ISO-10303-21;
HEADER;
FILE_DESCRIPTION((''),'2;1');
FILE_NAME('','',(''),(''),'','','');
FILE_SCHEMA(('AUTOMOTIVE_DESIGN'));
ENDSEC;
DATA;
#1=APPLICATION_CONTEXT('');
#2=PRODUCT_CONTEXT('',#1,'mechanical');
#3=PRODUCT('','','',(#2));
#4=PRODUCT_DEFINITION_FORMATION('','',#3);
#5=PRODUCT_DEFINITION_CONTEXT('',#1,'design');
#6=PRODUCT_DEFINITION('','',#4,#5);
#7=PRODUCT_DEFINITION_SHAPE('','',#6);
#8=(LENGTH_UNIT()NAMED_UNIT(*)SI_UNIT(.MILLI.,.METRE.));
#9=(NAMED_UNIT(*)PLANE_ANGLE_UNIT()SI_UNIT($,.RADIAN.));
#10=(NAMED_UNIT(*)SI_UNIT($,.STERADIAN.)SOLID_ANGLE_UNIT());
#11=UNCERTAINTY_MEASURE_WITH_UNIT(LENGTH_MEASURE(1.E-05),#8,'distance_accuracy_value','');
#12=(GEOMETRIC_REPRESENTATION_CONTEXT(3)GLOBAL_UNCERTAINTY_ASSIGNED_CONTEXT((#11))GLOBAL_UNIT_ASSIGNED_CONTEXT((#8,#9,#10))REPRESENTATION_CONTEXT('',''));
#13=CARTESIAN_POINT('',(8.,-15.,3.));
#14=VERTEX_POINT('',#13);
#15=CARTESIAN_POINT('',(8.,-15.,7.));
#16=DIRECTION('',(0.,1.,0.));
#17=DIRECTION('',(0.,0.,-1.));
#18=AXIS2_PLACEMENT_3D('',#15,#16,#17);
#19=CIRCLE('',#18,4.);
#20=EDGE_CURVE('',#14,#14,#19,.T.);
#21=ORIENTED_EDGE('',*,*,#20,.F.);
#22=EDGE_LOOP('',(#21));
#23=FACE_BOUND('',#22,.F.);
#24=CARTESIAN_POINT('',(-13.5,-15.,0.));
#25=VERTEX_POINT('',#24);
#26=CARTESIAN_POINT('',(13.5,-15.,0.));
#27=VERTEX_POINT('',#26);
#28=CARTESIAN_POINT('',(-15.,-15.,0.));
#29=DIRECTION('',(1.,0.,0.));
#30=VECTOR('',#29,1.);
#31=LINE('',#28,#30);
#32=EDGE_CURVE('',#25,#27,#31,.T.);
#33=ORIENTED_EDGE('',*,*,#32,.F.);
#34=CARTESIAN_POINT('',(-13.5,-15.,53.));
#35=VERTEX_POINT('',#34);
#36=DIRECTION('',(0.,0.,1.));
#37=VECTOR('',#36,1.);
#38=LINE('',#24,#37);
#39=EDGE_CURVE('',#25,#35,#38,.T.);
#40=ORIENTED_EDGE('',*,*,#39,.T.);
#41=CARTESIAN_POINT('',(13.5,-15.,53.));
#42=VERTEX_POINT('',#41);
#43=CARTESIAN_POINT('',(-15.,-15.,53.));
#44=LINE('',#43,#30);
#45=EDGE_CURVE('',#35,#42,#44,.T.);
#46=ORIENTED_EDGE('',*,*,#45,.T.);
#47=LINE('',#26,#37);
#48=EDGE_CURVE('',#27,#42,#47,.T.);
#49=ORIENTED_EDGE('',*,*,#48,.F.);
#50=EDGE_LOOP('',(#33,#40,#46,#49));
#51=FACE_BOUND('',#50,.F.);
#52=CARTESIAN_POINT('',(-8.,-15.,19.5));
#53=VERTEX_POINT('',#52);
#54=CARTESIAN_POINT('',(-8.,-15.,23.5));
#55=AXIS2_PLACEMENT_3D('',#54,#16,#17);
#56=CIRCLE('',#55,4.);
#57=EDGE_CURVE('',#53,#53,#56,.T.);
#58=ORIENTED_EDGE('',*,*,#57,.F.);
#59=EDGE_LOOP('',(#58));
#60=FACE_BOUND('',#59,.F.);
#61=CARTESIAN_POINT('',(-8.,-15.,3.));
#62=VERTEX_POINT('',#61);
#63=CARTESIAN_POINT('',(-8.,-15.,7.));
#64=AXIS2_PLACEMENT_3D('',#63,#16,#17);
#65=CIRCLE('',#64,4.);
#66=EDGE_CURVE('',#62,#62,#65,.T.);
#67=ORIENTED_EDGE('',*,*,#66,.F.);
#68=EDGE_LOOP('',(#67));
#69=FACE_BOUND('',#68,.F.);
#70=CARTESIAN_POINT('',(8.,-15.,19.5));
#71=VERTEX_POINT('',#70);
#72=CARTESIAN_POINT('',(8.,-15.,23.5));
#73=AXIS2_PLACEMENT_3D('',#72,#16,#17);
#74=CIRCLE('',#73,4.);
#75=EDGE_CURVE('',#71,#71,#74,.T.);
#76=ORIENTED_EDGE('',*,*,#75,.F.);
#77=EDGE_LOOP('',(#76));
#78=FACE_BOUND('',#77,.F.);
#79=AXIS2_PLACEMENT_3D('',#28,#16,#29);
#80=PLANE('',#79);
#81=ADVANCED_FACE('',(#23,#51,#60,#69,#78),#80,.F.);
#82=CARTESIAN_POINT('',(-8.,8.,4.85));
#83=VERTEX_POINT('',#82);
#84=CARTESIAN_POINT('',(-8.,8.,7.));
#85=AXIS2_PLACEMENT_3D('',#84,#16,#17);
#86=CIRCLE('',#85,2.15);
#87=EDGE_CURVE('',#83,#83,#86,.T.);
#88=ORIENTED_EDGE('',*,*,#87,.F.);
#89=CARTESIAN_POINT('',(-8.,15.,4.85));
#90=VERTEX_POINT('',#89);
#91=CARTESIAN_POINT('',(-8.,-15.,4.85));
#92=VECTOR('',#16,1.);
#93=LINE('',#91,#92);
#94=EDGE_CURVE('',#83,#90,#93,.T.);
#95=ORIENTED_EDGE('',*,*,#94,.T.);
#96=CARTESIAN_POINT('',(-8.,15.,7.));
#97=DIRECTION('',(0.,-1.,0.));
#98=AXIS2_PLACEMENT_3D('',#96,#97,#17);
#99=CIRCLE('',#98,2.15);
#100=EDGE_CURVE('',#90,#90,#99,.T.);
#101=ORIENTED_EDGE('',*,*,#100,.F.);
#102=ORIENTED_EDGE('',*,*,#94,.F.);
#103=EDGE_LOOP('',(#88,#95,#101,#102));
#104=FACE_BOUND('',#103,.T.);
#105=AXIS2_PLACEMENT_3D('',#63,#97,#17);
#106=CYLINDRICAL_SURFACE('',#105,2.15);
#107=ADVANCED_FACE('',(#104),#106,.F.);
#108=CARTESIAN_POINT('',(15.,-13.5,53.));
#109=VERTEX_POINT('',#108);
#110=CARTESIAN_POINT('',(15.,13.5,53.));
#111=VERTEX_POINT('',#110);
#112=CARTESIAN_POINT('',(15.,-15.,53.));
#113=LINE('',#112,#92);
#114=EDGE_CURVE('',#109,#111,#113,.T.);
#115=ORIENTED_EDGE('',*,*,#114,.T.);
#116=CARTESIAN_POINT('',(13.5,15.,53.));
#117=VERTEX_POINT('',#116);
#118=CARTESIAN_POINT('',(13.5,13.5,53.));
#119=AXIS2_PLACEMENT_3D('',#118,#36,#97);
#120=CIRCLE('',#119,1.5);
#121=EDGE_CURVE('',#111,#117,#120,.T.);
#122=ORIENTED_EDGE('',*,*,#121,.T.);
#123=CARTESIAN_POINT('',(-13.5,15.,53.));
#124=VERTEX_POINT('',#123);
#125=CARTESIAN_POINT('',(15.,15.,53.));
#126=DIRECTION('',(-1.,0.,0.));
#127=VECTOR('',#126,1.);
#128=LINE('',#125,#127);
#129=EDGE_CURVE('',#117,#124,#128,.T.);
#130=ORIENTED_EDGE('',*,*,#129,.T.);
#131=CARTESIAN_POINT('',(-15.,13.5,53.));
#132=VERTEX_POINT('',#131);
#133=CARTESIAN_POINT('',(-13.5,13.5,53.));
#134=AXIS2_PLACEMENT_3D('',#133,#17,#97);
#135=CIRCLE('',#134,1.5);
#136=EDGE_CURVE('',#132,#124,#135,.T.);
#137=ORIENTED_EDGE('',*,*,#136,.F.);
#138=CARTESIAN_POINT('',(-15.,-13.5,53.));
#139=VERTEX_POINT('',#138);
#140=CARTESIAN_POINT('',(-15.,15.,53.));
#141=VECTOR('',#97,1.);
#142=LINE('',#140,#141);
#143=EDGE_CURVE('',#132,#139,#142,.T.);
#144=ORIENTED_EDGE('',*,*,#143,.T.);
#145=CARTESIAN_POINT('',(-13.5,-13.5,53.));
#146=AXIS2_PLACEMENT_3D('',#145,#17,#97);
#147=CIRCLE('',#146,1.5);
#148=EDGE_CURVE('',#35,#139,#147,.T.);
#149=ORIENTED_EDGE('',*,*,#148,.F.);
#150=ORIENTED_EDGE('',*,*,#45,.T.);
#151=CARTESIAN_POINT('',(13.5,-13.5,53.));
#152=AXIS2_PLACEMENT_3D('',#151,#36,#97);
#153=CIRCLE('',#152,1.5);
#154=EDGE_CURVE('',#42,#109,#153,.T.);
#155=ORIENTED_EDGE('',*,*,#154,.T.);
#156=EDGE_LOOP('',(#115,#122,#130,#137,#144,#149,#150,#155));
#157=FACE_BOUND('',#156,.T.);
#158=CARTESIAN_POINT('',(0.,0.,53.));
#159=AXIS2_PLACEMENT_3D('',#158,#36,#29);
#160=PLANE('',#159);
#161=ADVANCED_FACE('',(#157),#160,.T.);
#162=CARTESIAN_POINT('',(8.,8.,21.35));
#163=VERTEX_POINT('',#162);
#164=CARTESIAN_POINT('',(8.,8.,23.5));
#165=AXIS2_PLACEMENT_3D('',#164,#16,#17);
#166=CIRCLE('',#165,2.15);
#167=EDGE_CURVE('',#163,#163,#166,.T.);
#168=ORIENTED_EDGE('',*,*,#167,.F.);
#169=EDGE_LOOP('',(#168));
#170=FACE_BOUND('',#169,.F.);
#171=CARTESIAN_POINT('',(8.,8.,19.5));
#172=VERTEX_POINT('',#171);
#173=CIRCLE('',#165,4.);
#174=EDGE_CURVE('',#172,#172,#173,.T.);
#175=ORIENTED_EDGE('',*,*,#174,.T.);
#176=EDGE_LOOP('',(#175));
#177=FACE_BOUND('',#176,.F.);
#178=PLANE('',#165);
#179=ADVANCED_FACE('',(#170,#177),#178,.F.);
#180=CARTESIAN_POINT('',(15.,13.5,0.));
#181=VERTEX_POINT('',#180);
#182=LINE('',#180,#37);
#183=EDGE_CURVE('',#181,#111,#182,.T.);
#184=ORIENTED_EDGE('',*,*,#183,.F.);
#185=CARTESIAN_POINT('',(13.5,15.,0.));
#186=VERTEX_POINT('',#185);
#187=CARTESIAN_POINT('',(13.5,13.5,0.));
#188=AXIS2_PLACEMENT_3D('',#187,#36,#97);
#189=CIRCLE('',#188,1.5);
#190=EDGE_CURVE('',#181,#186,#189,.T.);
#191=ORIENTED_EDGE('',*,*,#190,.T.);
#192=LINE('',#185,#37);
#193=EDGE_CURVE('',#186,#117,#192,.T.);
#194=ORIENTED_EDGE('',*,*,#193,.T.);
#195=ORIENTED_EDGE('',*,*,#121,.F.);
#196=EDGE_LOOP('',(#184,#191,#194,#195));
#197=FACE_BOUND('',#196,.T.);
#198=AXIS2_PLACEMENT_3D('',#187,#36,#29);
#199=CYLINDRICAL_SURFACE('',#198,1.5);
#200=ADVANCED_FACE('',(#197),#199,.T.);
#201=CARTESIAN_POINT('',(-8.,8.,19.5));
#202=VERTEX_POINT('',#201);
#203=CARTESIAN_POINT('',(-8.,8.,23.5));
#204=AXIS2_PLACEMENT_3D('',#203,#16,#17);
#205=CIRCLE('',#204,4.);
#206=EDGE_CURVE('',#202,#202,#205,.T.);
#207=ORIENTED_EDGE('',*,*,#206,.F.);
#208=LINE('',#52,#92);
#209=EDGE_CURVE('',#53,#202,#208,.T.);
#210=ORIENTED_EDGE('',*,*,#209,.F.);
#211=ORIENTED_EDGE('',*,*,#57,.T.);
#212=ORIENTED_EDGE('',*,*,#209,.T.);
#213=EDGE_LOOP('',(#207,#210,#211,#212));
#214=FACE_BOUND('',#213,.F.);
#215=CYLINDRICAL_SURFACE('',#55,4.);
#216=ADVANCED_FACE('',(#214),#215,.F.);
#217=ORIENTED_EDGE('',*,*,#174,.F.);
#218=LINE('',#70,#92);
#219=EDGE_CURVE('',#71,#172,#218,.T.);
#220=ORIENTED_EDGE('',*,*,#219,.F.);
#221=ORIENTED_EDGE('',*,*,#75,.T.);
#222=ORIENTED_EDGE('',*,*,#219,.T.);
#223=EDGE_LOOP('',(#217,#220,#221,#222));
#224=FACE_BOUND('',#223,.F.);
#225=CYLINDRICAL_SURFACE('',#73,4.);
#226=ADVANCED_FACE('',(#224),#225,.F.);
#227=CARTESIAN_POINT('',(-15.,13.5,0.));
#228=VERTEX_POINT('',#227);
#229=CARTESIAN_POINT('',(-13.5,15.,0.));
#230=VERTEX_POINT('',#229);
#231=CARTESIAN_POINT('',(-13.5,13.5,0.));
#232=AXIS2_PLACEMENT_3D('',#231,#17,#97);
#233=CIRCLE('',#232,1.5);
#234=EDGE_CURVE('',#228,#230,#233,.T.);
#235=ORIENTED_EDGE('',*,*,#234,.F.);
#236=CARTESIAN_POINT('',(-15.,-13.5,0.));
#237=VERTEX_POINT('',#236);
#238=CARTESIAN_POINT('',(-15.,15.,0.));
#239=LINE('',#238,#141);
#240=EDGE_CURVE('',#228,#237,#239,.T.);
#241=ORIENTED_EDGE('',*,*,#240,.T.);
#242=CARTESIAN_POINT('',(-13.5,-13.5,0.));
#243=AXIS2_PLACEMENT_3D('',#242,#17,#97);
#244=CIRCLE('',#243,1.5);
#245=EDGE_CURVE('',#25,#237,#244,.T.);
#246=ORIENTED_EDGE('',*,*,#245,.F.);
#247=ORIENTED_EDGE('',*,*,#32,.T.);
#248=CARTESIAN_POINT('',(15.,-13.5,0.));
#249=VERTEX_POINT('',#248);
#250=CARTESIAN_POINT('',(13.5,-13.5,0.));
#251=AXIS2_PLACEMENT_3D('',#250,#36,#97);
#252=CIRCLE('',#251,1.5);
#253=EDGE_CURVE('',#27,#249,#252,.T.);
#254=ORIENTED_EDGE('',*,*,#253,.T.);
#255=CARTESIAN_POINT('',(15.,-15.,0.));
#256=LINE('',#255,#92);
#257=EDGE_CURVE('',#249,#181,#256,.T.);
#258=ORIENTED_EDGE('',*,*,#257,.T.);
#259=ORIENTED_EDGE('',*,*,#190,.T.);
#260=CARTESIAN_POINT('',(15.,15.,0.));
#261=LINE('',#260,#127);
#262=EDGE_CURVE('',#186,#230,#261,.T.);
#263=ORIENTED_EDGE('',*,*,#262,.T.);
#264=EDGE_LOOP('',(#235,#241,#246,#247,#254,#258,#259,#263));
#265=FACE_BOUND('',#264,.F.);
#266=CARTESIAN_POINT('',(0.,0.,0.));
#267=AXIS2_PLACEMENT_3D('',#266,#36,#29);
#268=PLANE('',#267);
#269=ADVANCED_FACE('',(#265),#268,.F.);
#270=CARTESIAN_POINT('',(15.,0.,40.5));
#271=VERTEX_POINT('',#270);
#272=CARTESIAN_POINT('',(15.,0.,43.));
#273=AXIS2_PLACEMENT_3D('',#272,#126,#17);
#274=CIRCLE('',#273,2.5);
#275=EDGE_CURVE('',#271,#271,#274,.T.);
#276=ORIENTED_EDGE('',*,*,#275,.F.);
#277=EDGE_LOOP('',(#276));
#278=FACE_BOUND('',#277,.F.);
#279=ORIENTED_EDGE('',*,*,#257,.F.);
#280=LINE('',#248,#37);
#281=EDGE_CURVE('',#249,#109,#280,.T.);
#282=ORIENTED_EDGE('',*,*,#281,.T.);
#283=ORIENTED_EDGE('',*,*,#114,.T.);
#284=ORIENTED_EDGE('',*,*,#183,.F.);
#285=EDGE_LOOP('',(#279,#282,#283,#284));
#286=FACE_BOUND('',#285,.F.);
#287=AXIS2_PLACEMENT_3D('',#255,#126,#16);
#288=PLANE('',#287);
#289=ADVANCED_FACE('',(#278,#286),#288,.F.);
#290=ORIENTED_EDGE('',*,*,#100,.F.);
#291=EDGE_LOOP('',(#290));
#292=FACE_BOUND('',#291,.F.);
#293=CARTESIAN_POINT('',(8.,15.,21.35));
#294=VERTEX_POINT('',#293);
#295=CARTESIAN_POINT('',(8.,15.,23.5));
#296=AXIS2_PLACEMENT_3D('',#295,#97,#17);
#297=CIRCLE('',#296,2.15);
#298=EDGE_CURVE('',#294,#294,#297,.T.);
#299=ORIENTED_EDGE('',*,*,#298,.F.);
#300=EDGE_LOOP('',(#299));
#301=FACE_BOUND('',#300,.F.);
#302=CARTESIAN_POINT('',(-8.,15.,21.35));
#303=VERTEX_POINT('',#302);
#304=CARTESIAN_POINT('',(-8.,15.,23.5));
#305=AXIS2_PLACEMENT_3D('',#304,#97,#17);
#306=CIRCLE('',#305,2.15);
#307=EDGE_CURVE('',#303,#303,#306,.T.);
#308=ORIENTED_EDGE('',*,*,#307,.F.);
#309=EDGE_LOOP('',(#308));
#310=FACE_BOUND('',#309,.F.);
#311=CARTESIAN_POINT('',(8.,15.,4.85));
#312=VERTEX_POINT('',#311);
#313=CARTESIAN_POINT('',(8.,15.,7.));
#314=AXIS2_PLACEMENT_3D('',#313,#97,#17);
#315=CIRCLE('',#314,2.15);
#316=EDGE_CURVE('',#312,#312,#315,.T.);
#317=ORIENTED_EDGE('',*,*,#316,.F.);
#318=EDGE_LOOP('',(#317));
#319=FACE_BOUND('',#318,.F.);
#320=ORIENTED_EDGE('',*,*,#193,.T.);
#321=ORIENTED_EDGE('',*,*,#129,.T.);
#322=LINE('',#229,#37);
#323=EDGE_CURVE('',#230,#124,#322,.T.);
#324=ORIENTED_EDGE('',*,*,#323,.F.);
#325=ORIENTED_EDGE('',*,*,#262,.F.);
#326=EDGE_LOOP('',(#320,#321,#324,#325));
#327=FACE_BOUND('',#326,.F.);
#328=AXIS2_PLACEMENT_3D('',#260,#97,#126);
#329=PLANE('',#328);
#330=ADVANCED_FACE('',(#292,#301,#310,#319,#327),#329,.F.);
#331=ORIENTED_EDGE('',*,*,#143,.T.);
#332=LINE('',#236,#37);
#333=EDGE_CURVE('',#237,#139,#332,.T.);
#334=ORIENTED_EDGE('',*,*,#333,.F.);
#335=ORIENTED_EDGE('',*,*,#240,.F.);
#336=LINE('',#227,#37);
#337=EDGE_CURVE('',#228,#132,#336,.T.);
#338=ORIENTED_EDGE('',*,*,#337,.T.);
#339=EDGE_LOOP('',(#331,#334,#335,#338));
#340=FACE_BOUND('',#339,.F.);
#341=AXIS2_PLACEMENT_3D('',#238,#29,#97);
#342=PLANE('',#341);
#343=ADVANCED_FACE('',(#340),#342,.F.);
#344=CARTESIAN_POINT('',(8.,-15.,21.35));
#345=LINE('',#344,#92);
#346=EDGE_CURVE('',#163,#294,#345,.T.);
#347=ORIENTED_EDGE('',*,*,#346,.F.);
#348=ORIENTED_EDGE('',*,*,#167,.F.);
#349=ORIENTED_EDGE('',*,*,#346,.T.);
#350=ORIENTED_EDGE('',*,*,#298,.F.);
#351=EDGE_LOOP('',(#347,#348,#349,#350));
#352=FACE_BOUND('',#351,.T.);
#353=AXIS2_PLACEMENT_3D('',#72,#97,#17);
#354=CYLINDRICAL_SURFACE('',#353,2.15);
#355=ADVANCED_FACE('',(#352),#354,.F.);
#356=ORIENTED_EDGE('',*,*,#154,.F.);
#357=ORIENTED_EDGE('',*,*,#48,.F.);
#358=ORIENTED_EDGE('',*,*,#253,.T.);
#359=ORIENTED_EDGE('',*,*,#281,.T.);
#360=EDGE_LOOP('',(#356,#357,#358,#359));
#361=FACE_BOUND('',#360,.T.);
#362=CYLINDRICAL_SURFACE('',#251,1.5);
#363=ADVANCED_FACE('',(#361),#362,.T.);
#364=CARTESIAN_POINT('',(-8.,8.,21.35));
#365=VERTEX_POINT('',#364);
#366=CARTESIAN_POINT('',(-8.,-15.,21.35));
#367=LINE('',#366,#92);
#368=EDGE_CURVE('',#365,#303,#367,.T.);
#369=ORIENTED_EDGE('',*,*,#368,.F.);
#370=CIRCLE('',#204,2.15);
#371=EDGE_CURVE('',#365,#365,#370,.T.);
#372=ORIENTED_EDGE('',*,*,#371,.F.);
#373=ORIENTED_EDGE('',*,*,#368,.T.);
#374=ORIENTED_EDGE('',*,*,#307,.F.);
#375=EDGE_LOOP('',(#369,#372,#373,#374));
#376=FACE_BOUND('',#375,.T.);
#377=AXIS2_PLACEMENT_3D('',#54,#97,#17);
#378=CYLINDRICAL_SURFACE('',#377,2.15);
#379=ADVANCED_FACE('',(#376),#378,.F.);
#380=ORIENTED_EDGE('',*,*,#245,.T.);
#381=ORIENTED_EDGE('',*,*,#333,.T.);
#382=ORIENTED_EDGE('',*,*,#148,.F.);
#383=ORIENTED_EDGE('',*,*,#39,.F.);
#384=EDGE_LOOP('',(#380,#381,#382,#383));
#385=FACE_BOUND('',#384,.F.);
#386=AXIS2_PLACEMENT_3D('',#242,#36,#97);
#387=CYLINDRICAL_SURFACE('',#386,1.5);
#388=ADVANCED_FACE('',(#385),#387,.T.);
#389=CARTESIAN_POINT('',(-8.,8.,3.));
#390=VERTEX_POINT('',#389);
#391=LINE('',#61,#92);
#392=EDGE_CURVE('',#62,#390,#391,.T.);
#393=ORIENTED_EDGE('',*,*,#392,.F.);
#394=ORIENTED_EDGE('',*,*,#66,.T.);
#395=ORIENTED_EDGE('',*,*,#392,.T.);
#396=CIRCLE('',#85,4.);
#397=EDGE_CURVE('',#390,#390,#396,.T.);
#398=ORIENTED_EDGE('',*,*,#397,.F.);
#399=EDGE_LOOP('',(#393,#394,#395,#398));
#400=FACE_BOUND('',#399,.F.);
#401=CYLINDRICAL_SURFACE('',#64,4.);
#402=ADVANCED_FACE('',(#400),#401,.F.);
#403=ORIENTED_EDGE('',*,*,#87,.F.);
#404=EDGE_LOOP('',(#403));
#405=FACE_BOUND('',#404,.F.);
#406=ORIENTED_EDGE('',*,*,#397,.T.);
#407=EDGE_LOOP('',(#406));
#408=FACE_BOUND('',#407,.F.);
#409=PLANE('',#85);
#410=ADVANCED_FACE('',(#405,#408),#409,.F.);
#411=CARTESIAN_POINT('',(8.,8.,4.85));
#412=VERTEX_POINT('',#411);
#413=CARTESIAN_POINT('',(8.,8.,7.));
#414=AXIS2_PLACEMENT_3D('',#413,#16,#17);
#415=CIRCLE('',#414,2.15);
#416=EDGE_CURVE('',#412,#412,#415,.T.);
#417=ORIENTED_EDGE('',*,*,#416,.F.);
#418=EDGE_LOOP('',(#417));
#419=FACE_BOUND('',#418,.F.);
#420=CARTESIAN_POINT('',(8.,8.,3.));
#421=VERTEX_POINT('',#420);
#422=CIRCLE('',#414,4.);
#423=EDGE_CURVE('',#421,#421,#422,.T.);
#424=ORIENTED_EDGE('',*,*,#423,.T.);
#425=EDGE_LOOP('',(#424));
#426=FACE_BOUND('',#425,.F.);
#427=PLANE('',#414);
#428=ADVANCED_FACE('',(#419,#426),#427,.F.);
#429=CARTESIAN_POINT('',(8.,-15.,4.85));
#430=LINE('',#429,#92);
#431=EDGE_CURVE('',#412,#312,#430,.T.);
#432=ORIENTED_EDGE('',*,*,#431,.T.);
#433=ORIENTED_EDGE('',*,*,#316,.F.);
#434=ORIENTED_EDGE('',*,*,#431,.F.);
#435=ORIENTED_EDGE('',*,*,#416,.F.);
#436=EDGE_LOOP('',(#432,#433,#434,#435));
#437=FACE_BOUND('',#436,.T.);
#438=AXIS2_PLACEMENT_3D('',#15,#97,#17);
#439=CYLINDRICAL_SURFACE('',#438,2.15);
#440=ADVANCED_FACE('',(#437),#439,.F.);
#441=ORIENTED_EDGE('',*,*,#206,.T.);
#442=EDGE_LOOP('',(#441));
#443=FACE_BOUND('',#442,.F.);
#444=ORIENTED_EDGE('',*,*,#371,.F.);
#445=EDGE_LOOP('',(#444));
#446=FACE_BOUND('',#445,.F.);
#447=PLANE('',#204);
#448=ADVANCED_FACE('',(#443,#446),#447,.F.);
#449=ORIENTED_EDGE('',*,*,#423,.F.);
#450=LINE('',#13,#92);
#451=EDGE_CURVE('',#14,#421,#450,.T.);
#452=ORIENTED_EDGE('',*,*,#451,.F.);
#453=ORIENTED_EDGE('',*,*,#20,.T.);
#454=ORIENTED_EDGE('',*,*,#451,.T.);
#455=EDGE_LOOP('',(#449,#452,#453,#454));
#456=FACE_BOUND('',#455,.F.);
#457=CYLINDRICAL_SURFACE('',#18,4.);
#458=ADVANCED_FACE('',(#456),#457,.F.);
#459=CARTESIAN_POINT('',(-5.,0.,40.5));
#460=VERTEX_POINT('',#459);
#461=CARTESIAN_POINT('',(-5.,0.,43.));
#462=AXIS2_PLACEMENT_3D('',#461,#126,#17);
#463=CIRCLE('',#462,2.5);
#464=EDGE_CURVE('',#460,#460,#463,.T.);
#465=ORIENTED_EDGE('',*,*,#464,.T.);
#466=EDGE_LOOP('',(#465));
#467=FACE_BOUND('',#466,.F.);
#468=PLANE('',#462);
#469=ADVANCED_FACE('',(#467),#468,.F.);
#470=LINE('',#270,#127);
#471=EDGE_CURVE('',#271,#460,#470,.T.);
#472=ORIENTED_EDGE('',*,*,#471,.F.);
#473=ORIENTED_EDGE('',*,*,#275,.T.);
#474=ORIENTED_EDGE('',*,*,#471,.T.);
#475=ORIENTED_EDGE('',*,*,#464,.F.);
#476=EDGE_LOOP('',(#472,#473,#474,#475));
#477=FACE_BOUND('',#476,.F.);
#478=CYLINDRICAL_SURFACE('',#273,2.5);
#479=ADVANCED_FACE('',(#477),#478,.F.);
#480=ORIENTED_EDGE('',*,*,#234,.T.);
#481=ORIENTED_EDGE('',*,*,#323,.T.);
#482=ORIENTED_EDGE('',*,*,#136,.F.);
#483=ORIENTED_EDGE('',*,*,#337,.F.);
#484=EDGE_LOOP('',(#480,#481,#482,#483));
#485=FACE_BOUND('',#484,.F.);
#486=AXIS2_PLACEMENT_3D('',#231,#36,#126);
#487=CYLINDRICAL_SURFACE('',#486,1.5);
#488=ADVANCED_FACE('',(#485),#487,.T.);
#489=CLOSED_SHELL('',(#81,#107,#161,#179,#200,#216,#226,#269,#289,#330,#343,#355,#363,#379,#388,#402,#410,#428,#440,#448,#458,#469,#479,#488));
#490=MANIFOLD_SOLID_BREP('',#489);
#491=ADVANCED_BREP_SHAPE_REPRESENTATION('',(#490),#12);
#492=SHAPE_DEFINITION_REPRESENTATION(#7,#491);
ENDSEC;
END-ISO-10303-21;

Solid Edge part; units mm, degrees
sketch "Sketch1" plane through (0, 0, 0) normal (0, 0, 1) x (1, 0, 0)
  line L0 (-15, -15) -> (15, -15)
  line L1 (15, -15) -> (15, 15)
  line L2 (15, 15) -> (-15, 15)
  line L3 (-15, 15) -> (-15, -15)
extrude "Protrusion1" add sketch "Sketch1" along normal blind 53
hole "Hole_1" at (-8, -15, 23.5) direction (0, 1, 0) diameter 4.3 end up to next counterbore diameter 8 counterbore depth 23
hole "Hole1" at (8, -15, 23.5) direction (0, 1, 0) diameter 4.3 end up to next counterbore diameter 8 counterbore depth 23
hole "Hole2" at (8, -15, 7) direction (0, 1, 0) diameter 4.3 end up to next counterbore diameter 8 counterbore depth 23
hole "Hole3" at (-8, -15, 7) direction (0, 1, 0) diameter 4.3 end up to next counterbore diameter 8 counterbore depth 23
hole "Hole_5" at (15, 0, 43) direction (-1, 0, 0) diameter 5 depth 20
fillet "Round_1" radius 1.5 4 edges at (-15, -15, 26.5) (15, -15, 26.5) (-15, 15, 26.5) (15, 15, 26.5)
properties material "POM"
